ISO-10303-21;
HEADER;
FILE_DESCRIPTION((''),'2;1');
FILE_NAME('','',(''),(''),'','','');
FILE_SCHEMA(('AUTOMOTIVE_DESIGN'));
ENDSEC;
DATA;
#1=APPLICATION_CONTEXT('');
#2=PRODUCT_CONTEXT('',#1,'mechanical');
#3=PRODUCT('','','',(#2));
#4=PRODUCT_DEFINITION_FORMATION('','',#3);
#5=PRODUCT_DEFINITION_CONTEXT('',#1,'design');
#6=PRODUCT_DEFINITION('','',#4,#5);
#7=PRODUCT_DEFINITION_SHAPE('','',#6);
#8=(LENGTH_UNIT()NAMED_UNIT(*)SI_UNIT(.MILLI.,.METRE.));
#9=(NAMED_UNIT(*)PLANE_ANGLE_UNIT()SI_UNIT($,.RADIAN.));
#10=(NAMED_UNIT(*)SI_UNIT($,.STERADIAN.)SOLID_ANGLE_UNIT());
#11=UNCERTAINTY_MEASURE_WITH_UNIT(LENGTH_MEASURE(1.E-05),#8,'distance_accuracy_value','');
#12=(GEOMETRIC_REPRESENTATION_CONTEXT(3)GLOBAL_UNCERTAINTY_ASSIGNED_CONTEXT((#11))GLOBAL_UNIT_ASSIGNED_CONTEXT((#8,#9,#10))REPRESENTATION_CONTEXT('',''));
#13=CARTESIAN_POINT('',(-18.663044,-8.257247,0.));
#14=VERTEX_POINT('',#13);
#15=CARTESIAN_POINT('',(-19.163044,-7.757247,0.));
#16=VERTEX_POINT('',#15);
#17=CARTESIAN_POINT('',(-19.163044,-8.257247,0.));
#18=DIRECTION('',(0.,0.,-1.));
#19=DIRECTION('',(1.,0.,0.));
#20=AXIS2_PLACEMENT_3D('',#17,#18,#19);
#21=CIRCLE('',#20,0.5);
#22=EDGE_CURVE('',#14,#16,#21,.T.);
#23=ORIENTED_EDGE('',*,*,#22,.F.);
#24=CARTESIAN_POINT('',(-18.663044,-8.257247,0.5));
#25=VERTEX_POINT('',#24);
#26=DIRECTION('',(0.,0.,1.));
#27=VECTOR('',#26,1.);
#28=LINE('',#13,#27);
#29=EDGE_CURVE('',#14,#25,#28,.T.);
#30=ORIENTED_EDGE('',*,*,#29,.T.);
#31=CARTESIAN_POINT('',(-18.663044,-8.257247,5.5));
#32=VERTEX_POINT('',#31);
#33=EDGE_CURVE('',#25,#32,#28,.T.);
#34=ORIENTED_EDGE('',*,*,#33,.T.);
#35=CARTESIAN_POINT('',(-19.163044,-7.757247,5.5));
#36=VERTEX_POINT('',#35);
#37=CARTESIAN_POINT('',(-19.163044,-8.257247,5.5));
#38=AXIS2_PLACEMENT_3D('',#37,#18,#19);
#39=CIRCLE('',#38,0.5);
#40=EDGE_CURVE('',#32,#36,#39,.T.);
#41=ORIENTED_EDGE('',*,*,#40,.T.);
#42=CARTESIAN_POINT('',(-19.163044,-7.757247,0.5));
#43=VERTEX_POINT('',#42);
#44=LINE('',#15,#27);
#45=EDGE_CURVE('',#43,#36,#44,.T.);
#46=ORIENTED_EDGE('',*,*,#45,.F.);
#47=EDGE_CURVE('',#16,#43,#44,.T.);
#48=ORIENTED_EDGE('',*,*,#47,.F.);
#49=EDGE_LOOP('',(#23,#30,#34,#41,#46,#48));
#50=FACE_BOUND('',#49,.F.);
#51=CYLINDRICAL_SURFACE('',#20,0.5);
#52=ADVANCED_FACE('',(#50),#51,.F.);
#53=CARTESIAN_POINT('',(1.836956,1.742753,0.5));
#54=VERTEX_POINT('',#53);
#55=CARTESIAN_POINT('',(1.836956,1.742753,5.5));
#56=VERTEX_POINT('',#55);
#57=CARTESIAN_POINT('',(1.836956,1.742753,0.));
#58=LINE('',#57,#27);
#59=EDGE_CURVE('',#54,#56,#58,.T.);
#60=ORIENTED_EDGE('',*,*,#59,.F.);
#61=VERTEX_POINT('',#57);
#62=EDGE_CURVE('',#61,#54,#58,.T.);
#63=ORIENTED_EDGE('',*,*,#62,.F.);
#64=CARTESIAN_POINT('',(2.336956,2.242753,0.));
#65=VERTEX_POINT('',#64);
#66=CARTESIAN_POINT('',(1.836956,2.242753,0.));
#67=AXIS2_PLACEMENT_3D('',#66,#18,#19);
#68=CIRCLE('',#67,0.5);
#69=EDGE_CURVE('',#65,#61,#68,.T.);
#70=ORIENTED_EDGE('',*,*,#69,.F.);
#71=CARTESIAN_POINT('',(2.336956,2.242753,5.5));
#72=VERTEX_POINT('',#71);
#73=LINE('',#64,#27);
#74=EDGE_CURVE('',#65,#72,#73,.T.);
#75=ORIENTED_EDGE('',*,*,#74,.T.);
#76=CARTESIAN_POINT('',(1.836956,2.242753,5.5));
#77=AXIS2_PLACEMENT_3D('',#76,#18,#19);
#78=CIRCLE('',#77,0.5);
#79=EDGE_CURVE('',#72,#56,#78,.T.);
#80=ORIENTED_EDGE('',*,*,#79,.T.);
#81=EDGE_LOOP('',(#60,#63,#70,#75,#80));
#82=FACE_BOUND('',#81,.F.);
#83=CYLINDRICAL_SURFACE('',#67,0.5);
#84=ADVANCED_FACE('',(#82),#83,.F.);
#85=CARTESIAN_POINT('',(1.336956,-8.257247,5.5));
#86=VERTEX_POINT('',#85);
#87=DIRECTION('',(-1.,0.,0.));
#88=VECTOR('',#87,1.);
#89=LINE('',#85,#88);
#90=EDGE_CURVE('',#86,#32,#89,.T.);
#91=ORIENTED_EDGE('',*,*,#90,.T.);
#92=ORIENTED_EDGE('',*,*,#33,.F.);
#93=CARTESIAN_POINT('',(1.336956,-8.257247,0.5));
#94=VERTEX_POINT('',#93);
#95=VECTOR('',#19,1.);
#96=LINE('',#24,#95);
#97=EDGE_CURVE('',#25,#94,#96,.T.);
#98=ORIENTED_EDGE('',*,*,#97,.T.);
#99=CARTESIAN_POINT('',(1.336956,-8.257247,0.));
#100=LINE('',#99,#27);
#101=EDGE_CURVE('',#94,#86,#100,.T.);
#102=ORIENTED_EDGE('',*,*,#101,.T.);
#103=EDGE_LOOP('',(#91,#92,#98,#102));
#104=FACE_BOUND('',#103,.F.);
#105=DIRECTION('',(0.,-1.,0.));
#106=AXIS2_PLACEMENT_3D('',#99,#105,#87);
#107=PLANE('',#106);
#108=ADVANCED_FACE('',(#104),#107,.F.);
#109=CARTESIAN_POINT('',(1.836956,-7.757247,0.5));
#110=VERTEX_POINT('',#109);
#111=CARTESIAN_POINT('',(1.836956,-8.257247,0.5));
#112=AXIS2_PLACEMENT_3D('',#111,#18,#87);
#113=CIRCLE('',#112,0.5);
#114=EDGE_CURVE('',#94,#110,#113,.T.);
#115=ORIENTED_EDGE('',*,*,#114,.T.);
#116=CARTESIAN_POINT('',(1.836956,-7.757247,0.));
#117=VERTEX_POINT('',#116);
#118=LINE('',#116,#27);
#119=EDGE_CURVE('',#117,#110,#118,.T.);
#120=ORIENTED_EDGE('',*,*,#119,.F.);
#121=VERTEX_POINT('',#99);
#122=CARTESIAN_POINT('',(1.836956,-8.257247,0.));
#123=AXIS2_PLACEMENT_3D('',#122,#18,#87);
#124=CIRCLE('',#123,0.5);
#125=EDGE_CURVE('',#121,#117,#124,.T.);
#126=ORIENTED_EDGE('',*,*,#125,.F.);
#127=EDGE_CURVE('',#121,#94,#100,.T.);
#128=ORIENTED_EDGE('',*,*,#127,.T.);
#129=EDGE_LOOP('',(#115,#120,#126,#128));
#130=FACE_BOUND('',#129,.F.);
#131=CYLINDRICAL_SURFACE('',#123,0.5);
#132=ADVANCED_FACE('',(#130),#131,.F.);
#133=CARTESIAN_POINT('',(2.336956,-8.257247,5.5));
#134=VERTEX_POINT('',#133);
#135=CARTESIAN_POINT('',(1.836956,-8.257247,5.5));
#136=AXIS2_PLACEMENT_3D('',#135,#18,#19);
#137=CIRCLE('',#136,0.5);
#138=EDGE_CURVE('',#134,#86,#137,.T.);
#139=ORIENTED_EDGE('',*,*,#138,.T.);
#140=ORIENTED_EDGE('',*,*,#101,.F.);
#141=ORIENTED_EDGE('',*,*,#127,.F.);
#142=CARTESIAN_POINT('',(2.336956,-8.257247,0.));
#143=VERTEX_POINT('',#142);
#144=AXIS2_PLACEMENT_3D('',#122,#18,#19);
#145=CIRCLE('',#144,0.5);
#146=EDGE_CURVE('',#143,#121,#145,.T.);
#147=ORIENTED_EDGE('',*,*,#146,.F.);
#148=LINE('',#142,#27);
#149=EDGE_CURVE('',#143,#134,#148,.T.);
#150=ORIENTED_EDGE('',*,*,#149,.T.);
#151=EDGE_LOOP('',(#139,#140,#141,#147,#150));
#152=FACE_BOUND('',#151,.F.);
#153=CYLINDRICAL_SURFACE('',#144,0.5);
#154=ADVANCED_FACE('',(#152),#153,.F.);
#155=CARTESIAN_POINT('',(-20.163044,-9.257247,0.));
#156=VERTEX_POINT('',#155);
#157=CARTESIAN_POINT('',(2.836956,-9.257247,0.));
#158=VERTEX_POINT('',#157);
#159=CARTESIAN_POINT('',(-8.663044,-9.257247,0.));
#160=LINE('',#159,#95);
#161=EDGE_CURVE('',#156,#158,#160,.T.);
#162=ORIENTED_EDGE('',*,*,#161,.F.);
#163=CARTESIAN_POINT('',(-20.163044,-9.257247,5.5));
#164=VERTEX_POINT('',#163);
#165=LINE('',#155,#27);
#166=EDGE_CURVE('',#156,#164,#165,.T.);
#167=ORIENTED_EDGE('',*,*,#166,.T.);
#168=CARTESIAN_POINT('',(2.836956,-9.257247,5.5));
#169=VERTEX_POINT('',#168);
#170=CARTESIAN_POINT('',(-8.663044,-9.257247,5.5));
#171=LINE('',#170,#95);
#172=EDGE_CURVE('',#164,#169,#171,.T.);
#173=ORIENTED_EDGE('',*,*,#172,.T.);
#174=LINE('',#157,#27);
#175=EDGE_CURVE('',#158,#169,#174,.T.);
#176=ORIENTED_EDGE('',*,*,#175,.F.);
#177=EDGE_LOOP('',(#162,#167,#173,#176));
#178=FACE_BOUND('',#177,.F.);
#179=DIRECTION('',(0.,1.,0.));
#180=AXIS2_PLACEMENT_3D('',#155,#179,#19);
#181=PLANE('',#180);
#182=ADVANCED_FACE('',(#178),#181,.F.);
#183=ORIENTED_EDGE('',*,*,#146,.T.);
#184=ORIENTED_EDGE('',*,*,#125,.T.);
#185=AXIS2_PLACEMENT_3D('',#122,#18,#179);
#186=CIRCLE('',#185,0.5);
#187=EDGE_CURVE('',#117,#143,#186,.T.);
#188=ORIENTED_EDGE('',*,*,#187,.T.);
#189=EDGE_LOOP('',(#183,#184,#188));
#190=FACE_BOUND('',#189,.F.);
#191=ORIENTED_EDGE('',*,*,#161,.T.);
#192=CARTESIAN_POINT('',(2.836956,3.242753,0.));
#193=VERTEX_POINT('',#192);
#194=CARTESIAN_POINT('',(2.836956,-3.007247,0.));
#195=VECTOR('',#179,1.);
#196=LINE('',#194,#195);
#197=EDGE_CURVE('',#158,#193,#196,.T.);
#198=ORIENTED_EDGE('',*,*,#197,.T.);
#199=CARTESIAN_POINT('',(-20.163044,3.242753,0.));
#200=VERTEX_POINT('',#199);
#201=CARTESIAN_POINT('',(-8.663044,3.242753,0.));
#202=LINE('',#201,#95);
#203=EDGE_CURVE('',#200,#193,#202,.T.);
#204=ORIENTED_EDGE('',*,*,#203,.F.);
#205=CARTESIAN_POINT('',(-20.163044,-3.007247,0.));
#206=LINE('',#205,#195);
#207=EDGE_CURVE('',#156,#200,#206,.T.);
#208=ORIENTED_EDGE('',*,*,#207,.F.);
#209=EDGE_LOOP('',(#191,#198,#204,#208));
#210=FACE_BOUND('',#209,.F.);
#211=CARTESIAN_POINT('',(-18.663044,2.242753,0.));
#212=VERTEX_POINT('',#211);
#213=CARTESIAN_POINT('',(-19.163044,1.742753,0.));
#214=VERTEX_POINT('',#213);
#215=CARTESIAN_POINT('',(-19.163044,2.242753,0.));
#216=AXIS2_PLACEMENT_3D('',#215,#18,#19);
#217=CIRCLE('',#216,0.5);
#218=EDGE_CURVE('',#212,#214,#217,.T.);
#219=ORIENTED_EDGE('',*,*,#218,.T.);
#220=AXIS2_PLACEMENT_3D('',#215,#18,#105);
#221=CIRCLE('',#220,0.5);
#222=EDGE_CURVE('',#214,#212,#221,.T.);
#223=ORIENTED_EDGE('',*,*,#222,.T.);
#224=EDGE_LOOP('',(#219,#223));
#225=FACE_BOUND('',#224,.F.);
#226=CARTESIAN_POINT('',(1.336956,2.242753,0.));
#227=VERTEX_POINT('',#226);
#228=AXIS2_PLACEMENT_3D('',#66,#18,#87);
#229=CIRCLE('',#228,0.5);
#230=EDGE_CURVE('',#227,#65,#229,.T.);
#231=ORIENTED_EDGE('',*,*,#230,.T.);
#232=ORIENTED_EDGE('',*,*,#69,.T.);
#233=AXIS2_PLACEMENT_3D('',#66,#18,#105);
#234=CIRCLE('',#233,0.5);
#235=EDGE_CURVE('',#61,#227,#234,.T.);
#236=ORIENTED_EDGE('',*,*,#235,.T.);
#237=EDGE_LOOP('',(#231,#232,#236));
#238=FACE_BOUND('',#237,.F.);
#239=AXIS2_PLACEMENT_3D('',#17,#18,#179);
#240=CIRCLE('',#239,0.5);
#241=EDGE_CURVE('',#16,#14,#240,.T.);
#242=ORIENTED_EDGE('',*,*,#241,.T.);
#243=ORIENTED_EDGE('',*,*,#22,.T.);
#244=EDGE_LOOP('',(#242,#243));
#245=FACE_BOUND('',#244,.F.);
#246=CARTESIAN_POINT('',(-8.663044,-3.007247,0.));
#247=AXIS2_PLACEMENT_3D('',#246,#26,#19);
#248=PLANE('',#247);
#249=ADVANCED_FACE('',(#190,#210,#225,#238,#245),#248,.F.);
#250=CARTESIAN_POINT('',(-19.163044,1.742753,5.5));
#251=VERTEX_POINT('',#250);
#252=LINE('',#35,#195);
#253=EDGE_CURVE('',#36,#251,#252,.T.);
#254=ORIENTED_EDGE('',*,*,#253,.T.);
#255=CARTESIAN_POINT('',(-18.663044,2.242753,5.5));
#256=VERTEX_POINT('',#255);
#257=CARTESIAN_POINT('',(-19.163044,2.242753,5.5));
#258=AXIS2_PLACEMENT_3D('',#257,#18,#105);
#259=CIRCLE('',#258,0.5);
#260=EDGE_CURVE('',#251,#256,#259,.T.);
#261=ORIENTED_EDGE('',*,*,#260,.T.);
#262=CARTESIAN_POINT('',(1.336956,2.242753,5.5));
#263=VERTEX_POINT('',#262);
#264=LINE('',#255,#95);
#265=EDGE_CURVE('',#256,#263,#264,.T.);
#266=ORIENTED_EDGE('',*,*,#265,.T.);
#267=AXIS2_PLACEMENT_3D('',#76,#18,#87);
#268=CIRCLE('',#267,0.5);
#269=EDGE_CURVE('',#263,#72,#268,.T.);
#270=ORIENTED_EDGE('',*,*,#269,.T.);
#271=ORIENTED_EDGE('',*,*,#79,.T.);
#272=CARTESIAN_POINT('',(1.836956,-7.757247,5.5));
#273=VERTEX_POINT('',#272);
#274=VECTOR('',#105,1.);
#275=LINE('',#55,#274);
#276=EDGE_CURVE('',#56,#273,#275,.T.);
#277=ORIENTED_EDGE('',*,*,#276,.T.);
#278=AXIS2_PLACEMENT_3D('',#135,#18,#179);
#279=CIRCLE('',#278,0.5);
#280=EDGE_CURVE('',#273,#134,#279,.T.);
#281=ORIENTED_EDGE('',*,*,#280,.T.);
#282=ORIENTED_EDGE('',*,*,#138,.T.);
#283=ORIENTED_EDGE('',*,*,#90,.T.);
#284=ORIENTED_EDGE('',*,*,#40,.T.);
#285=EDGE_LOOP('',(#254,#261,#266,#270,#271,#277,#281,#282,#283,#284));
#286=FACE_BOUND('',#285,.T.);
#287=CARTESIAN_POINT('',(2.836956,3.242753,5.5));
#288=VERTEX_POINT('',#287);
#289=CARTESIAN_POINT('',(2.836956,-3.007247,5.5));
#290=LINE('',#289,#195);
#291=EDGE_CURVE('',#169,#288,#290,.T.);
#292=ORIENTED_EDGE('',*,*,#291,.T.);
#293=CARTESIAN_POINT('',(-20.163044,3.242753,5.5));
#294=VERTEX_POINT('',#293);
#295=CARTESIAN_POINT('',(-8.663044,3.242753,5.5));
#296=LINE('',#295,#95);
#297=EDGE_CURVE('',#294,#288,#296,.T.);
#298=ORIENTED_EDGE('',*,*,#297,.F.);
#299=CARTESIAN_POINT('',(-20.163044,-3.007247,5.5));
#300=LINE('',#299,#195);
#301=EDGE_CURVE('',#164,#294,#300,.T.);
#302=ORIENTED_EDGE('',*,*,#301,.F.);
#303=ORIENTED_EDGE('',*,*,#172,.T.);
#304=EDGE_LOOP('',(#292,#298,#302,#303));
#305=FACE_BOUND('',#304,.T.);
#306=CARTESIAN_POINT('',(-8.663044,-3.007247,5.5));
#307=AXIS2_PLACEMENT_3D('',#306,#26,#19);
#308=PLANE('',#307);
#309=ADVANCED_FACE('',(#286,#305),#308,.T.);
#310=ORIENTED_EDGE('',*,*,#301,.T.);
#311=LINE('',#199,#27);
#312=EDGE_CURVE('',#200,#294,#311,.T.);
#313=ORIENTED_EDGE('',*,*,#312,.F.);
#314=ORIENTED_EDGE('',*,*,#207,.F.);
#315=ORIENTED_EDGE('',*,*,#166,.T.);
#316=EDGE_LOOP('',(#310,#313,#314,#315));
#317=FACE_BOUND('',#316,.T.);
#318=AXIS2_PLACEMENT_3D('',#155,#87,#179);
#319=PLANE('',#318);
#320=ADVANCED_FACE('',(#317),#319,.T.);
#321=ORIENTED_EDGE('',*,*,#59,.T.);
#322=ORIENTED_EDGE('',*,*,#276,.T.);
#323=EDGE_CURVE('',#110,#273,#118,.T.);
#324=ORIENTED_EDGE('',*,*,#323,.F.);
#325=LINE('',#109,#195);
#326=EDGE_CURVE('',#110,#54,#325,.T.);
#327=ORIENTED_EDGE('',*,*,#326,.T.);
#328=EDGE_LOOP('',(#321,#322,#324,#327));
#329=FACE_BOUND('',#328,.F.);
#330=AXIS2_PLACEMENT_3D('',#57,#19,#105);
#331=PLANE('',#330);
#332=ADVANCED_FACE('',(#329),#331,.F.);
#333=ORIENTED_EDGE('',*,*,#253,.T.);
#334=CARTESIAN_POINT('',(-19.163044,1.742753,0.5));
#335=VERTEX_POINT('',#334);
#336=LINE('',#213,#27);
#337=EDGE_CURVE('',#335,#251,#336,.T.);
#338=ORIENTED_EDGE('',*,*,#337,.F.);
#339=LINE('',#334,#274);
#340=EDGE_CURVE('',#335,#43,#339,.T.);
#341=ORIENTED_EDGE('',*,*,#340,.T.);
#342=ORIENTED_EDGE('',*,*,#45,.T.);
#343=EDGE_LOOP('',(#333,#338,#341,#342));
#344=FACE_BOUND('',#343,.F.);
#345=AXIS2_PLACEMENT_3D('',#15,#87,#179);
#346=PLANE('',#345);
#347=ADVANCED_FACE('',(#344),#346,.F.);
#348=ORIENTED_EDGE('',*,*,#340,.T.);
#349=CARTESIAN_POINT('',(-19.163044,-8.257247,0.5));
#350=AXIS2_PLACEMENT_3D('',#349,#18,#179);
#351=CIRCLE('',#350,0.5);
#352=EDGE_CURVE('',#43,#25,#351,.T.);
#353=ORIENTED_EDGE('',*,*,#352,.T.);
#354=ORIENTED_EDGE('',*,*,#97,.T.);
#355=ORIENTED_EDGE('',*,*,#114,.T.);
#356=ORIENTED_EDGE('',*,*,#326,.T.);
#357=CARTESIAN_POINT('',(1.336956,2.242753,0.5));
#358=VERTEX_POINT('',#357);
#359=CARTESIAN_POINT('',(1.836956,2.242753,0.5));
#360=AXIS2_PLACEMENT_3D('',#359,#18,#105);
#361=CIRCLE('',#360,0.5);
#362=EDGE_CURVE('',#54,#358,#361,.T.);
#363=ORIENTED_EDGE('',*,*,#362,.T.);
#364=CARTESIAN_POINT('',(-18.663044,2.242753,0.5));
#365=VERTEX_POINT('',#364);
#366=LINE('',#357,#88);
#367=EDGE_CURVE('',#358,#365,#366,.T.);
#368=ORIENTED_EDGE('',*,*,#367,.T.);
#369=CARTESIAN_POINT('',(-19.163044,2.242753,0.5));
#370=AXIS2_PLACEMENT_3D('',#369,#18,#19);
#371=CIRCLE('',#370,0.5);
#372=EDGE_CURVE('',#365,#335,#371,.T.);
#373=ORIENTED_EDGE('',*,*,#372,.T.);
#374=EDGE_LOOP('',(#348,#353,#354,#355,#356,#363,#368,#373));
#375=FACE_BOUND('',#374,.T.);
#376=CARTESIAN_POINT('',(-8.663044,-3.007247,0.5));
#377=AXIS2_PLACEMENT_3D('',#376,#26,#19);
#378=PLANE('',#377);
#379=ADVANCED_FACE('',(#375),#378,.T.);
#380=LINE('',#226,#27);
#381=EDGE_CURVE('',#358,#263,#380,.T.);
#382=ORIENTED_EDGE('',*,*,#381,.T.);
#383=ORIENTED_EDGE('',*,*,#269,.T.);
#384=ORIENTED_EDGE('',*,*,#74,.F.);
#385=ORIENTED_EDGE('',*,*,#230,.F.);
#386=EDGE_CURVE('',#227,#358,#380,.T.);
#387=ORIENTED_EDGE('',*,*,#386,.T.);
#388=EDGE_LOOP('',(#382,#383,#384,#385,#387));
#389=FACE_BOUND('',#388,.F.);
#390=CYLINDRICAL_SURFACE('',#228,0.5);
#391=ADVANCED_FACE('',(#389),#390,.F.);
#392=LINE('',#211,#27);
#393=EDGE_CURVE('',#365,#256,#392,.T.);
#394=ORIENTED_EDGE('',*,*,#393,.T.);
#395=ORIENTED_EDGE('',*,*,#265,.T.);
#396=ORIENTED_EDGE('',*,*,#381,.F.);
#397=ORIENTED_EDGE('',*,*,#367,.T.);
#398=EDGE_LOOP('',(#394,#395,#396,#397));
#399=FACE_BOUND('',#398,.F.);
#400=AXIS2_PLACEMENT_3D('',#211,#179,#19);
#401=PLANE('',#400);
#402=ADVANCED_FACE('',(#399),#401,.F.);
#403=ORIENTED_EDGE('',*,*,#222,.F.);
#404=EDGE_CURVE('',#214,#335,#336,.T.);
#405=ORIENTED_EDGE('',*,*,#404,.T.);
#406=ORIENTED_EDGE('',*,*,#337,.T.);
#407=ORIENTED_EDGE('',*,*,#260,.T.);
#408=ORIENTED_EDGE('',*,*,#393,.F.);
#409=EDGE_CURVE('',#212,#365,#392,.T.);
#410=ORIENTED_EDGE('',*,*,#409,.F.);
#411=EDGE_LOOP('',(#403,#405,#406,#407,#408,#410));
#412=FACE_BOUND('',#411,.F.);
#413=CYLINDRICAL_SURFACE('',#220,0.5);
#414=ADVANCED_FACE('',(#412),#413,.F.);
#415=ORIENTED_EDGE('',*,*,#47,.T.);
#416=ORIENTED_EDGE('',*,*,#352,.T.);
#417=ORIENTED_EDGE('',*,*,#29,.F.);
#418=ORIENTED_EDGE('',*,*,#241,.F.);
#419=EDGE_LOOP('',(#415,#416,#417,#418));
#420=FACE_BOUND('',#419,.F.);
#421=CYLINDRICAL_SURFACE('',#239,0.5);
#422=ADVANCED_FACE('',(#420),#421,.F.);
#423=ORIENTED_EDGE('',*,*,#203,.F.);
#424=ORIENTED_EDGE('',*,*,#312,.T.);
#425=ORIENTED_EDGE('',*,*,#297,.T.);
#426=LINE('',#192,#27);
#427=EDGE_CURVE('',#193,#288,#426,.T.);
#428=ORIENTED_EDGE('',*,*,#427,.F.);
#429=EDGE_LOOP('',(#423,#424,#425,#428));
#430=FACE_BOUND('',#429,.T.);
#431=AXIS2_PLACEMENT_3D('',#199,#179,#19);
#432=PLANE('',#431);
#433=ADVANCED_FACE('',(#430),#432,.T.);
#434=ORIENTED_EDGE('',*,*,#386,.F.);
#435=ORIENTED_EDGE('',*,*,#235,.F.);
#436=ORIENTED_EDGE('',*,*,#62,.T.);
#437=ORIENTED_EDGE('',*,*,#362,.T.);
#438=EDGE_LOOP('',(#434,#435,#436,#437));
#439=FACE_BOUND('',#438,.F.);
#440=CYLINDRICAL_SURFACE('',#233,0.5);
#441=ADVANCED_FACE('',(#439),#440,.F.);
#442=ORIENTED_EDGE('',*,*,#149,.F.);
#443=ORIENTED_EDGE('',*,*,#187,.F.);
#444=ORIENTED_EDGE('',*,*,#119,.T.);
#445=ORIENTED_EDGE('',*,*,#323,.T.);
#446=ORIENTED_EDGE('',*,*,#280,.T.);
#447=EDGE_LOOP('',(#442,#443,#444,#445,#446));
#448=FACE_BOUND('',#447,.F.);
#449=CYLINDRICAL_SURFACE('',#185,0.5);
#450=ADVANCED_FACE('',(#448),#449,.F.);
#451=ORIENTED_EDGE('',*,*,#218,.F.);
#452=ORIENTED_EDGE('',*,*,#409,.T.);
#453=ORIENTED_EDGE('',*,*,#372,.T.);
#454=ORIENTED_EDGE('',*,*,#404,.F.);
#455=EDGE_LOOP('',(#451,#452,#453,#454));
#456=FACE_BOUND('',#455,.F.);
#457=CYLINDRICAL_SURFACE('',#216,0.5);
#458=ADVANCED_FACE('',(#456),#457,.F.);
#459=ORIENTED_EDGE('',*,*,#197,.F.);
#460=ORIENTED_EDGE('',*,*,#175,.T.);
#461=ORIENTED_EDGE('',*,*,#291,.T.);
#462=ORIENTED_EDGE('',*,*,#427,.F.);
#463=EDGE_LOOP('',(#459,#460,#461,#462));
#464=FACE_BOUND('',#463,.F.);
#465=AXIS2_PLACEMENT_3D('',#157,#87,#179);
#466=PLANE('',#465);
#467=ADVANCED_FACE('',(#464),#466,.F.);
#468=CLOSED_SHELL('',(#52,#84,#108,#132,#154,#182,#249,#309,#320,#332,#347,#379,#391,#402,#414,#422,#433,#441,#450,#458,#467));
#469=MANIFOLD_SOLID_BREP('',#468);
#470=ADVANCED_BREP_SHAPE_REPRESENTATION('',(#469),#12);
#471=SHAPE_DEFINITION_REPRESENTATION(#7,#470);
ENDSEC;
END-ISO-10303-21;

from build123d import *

# Parameters (mm, degrees)
F1_DEPTH = 0.5
F0_W     = 23
F0_H     = 12.5
F2_DEPTH = 5.5


with BuildPart() as f1:
    # F0 (on Top) → F1 (new body)
    with BuildSketch(Plane.XY):
        with BuildLine():
            Line((1.3369556665, 2.2427532598), (-18.6630443335, 2.2427532598))
            ThreePointArc((-18.6630443335, 2.2427532598), (-18.8094909429, 1.8891998692), (-19.1630443335, 1.7427532598))
            Line((-19.1630443335, 1.7427532598), (-19.1630443335, -7.7572467402))
            ThreePointArc((-19.1630443335, -7.7572467402), (-18.8094909429, -7.9036933496), (-18.6630443335, -8.2572467402))
            Line((-18.6630443335, -8.2572467402), (1.3369556665, -8.2572467402))
            ThreePointArc((1.3369556665, -8.2572467402), (1.4834022759, -7.9036933496), (1.8369556665, -7.7572467402))
            Line((1.8369556665, -7.7572467402), (1.8369556665, 1.7427532598))
            ThreePointArc((1.8369556665, 1.7427532598), (1.4834022759, 1.8891998692), (1.3369556665, 2.2427532598))
        make_face()
    extrude(amount=F1_DEPTH)

    # F0 (on Top) → F2 (join)
    with BuildSketch(Plane.XY):
        with Locations((-8.6630443335, -3.0072467402)):
            Rectangle(F0_W, F0_H)
        with BuildLine():
            ThreePointArc((-19.1630443335, 1.7427532598), (-19.5165977241, 2.5963066504), (-18.6630443335, 2.2427532598))
            Line((-18.6630443335, 2.2427532598), (1.3369556665, 2.2427532598))
            ThreePointArc((1.3369556665, 2.2427532598), (1.8369556665, 2.7427532598), (2.3369556665, 2.2427532598))
            ThreePointArc((2.3369556665, 2.2427532598), (2.1905090571, 1.8891998692), (1.8369556665, 1.7427532598))
            Line((1.8369556665, 1.7427532598), (1.8369556665, -7.7572467402))
            ThreePointArc((1.8369556665, -7.7572467402), (2.1905090571, -7.9036933496), (2.3369556665, -8.2572467402))
            ThreePointArc((2.3369556665, -8.2572467402), (1.8369556665, -8.7572467402), (1.3369556665, -8.2572467402))
            Line((1.3369556665, -8.2572467402), (-18.6630443335, -8.2572467402))
            ThreePointArc((-18.6630443335, -8.2572467402), (-19.5165977241, -8.6108001308), (-19.1630443335, -7.7572467402))
            Line((-19.1630443335, -7.7572467402), (-19.1630443335, 1.7427532598))
        make_face(mode=Mode.SUBTRACT)
    extrude(amount=F2_DEPTH)


solid = f1.part
